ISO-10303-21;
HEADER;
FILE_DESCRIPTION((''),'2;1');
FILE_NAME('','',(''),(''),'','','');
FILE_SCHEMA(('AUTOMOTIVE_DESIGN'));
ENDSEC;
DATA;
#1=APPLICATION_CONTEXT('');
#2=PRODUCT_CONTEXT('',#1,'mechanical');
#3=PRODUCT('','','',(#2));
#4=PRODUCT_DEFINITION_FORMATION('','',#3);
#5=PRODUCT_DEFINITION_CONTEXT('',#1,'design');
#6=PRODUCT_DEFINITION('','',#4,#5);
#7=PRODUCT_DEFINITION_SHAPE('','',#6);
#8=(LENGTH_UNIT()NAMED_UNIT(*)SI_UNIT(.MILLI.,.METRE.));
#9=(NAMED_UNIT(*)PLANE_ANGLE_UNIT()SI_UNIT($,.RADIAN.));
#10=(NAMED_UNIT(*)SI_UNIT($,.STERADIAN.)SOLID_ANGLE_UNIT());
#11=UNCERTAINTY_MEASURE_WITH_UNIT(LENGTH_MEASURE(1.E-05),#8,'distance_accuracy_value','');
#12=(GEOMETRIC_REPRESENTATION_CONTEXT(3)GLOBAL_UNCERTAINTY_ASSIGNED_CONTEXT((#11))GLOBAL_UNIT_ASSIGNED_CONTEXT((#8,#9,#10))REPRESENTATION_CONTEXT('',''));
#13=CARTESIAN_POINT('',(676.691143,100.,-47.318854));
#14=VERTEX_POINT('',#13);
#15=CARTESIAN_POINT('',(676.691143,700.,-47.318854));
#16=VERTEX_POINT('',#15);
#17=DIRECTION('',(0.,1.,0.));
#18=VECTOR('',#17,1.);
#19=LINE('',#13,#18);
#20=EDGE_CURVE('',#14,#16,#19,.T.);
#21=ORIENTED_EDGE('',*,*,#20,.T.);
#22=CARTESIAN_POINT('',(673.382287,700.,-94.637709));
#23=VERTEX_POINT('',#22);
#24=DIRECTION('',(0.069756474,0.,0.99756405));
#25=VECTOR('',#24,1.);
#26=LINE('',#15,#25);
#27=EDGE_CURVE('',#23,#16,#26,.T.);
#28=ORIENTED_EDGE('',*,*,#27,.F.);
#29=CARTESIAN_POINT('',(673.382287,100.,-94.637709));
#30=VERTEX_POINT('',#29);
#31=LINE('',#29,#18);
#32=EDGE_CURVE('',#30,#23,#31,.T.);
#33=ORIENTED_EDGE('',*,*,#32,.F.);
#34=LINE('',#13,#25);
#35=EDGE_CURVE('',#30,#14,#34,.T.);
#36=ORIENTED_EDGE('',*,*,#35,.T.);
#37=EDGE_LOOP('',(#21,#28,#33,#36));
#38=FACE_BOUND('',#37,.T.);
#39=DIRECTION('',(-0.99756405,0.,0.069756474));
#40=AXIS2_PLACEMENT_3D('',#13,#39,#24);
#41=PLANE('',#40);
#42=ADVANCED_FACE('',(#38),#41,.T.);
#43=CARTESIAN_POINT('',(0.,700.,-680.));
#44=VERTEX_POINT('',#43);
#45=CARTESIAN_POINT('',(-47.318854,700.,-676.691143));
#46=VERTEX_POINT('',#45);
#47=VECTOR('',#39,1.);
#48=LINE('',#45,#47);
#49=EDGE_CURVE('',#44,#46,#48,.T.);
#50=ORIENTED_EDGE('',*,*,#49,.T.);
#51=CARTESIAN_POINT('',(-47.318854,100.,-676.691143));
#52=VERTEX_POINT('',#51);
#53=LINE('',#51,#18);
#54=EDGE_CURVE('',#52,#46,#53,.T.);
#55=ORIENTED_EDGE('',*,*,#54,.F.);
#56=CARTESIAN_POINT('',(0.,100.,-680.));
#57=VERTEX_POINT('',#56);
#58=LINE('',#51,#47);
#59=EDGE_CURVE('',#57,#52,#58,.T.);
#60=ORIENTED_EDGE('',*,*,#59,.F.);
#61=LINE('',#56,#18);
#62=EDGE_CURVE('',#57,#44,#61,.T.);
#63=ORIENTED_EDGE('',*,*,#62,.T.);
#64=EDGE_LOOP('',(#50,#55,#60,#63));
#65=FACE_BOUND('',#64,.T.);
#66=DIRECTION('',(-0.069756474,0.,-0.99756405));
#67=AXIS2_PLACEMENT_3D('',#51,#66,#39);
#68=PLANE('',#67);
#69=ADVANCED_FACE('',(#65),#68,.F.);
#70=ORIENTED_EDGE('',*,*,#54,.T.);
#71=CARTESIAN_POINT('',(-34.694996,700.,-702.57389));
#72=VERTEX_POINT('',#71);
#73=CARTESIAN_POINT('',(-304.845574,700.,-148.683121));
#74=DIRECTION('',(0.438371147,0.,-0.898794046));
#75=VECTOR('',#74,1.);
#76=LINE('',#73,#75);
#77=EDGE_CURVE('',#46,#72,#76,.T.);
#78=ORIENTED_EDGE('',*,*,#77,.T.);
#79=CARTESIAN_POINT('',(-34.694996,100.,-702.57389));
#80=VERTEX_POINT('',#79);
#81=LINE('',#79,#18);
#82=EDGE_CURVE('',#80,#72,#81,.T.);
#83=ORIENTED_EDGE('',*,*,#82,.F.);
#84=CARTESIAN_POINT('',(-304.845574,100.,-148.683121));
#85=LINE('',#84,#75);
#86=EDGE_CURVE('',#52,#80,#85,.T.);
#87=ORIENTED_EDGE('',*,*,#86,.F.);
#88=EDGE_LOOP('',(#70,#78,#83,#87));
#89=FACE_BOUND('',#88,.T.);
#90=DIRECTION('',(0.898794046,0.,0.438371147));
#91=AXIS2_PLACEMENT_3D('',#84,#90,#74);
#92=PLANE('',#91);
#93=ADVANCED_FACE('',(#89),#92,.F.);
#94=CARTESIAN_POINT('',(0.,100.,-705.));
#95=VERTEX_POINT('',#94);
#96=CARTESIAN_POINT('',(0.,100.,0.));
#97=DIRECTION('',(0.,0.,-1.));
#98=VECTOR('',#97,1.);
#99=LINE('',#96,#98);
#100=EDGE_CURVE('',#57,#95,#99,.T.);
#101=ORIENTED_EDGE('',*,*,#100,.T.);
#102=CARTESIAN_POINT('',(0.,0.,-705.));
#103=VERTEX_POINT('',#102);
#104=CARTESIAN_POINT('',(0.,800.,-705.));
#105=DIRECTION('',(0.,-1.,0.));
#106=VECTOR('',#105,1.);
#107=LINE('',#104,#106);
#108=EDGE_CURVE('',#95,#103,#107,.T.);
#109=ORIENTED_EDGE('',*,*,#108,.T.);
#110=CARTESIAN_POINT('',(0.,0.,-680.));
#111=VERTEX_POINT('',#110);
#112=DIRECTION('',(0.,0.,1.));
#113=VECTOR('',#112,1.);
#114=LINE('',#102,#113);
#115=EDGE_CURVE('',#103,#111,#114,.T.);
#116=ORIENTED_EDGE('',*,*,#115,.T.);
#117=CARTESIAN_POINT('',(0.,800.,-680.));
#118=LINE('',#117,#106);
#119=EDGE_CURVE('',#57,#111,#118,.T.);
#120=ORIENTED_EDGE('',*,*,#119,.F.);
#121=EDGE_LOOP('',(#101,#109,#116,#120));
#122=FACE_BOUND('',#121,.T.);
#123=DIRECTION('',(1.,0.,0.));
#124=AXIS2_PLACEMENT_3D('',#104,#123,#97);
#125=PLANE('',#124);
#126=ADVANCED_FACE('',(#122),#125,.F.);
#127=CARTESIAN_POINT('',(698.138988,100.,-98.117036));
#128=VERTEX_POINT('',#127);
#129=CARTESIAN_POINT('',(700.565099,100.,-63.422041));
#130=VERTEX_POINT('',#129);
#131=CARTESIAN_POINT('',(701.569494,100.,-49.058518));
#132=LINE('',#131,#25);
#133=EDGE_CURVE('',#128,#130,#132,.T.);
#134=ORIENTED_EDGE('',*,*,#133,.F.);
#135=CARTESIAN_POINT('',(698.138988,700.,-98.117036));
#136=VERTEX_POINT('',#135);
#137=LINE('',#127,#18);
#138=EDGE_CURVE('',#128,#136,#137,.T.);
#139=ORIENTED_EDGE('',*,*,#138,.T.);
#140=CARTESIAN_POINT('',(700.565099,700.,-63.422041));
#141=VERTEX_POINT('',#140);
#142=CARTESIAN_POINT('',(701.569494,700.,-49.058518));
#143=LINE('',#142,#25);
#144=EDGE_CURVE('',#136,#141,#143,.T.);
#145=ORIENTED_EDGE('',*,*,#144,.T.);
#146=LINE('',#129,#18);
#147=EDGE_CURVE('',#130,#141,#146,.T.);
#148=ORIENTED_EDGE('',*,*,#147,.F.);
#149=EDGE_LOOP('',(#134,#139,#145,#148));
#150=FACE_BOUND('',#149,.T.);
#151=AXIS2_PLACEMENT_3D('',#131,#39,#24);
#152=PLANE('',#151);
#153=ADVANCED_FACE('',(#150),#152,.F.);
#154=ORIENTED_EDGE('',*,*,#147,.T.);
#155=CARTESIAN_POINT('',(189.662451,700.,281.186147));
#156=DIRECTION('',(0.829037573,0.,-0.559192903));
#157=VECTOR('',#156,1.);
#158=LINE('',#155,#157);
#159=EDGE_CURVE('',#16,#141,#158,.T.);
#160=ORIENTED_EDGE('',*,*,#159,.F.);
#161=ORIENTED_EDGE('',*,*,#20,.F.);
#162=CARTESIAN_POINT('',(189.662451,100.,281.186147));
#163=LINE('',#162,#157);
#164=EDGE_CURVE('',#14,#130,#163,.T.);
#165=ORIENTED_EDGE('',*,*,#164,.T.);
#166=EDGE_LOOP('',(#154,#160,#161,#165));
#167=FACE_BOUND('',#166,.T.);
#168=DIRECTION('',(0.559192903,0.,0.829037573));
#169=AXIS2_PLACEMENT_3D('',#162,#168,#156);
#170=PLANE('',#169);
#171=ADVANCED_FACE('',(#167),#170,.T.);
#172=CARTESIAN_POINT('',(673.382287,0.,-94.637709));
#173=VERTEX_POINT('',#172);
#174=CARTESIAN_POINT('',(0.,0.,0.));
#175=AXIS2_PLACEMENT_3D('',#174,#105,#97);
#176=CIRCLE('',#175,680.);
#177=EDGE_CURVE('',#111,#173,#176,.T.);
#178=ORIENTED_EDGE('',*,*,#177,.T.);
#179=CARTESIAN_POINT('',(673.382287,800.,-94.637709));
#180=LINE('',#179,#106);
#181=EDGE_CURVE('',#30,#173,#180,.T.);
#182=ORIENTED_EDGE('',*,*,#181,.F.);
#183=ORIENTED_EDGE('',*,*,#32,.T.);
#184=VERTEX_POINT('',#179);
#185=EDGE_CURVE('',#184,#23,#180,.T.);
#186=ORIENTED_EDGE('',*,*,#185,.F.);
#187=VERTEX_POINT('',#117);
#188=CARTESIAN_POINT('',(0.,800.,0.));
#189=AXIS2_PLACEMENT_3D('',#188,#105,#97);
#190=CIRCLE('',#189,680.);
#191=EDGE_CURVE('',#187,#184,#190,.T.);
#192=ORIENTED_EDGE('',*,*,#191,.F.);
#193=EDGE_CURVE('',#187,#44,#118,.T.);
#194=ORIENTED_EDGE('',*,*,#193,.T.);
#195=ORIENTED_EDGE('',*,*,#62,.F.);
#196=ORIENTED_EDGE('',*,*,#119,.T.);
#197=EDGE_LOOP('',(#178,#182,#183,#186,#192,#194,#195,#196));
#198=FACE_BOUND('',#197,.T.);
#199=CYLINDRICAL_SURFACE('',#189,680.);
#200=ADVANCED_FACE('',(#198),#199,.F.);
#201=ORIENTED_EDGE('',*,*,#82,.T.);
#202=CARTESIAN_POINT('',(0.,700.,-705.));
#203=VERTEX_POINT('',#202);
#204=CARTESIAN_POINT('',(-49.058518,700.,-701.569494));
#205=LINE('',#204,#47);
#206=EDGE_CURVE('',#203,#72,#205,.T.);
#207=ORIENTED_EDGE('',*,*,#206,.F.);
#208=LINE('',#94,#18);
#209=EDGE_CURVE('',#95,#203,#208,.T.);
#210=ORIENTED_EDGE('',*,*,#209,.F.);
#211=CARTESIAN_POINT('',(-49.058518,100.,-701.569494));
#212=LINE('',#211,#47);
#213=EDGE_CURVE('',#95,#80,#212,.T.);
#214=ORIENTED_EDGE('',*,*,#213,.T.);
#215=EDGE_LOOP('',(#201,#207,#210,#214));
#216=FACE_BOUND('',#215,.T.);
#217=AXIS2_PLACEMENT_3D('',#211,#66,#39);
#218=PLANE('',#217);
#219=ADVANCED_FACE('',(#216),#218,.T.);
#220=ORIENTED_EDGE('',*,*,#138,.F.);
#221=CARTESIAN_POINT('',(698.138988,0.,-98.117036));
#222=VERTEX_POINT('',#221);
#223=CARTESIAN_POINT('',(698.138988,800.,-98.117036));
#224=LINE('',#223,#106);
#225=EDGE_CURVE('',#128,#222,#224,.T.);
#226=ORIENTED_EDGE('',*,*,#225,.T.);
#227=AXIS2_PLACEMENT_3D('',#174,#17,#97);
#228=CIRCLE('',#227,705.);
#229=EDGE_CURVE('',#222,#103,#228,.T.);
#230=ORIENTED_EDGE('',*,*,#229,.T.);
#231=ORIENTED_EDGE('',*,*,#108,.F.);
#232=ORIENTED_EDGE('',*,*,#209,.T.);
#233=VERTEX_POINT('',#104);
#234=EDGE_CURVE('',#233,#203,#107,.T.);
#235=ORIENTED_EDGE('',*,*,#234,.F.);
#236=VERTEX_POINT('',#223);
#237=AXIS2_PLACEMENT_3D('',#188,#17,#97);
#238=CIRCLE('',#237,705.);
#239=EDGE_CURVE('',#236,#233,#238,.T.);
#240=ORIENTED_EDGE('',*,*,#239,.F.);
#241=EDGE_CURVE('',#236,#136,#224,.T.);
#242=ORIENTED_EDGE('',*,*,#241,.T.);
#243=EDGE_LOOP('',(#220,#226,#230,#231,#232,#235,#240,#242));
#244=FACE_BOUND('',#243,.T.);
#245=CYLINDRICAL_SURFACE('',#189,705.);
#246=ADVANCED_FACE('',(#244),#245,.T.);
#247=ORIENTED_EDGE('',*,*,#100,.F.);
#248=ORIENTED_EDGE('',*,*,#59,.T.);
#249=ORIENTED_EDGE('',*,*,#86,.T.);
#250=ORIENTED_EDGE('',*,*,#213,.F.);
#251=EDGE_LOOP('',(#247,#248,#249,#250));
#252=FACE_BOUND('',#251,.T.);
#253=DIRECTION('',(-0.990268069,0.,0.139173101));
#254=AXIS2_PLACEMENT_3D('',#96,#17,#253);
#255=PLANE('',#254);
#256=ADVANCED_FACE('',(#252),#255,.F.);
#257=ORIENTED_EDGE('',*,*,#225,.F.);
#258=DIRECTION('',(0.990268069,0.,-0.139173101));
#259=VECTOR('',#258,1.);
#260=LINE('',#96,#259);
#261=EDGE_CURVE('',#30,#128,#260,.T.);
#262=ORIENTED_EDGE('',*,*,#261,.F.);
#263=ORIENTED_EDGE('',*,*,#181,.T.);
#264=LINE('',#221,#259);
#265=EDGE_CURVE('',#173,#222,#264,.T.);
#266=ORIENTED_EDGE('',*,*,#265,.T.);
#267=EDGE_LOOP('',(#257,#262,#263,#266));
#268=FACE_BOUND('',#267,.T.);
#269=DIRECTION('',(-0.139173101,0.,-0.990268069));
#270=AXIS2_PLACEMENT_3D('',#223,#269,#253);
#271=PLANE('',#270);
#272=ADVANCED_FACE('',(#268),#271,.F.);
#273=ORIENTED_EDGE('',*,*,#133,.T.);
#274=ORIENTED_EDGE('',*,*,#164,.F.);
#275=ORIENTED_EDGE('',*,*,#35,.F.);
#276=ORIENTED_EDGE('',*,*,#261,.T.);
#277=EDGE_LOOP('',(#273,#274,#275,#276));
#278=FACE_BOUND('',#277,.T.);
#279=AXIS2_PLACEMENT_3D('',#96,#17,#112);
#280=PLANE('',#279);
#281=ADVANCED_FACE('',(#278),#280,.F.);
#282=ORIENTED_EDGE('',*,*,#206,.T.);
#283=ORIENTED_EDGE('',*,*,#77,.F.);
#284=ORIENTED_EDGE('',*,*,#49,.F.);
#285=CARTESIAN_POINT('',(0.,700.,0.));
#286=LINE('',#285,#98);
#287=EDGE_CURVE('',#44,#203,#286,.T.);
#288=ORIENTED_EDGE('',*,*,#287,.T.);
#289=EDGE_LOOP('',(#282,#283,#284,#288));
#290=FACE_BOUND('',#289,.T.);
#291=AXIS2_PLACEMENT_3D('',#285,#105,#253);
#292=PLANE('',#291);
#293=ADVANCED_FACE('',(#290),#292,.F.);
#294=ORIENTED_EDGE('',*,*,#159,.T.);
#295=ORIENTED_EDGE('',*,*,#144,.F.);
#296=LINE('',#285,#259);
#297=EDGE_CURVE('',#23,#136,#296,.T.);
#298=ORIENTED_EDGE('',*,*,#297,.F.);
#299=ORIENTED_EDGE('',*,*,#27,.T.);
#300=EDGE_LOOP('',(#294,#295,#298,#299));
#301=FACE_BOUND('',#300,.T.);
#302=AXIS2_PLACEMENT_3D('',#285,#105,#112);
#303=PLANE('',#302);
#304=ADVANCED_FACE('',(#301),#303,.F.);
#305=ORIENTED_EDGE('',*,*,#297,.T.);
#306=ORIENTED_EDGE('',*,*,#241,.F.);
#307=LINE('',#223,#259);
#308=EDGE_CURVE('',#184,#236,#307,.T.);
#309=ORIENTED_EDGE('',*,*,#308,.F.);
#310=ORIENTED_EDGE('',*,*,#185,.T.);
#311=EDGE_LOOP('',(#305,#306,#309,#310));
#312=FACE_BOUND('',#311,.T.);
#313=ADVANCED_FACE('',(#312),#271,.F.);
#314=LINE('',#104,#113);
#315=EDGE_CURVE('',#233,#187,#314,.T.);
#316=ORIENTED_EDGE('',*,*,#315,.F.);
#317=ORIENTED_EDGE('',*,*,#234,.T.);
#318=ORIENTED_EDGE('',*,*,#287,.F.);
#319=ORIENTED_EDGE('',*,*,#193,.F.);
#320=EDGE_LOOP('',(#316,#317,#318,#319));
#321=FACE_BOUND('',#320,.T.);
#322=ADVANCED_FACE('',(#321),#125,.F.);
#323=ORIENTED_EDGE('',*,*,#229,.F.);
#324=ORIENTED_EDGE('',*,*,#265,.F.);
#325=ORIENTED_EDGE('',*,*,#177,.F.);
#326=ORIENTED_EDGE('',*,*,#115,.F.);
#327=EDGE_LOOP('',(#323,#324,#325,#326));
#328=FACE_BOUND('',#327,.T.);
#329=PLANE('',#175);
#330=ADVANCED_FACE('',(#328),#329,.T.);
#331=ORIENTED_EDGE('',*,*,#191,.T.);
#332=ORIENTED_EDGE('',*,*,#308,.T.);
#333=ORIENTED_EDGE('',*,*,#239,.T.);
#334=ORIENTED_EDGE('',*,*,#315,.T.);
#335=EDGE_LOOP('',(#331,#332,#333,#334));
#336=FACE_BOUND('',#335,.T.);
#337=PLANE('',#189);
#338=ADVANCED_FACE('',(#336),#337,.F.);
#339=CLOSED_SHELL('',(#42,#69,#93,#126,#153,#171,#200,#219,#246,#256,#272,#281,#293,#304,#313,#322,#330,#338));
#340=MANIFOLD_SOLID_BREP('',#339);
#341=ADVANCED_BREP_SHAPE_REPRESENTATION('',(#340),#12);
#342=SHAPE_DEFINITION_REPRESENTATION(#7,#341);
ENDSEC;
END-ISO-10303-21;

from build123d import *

# Parameters (mm, degrees)
EXTRUDE_1_DEPTH       = 800
EXTRUDE_2_DEPTH       = 300
MIRROR_3_COPY_1_DEPTH = 300
MIRROR_3_COPY_2_DEPTH = 300


with BuildPart() as part:
    # 草图1 → 凸台-拉伸1 (new body)
    with BuildSketch(Plane(origin=(0, 0, 0), x_dir=(1, 0, 0), z_dir=(0, 1, 0))):
        with BuildLine():
            Line((0, 705), (0, 680))
            ThreePointArc((0, 680), (446.120139714, 513.202514551), (673.382286744, 94.637708653))
            Line((673.382286744, 94.637708653), (698.138988463, 98.117036177))
            ThreePointArc((698.138988463, 98.117036177), (462.521615438, 532.070254057), (0, 705))
        make_face()
    extrude(amount=EXTRUDE_1_DEPTH)

    # 草图2 → 凸台-拉伸2 (add)
    with BuildSketch(Plane(origin=(0, 400, 0), x_dir=(1, 0, 0), z_dir=(0, 1, 0))):
        Polygon((698.138988463, 98.117036177), (673.382286744, 94.637708653), (676.691143372, 47.318854326), (700.56509889, 63.422040654), align=None)
    extrude_2 = extrude(amount=-EXTRUDE_2_DEPTH)

    # 镜向1: 凸台-拉伸2 across plane
    add(extrude_2.mirror(Plane(origin=(446.120139714, 800, -513.202514551), x_dir=(-0.6560590289905062, 0, 0.754709580222773), z_dir=(-0.7547095802227732, 0, -0.656059028990506))))

    # 镜向2: 凸台-拉伸2 across plane
    add(extrude_2.mirror(Plane.ZX.offset(400)))

    # 镜向3 copy 1 sketch → 镜向3 copy 1 (add)
    with BuildSketch(Plane(origin=(0, 400, 0), x_dir=(-0.13917310096006918, 0, -0.99026806874157), z_dir=(0, -1, 0))):
        Polygon((698.138988463, 98.117036177), (673.382286744, 94.637708653), (676.691143372, 47.318854326), (700.56509889, 63.422040654), align=None)
    extrude(amount=-MIRROR_3_COPY_1_DEPTH)

    # 镜向3 copy 2 sketch → 镜向3 copy 2 (add)
    with BuildSketch(Plane(origin=(0, 400, 0), x_dir=(-0.13917310096006918, 0, -0.99026806874157), z_dir=(0, 1, 0))):
        Polygon((698.138988463, -98.117036177), (673.382286744, -94.637708653), (676.691143372, -47.318854326), (700.56509889, -63.422040654), align=None)
    extrude(amount=-MIRROR_3_COPY_2_DEPTH)


solid = part.part
